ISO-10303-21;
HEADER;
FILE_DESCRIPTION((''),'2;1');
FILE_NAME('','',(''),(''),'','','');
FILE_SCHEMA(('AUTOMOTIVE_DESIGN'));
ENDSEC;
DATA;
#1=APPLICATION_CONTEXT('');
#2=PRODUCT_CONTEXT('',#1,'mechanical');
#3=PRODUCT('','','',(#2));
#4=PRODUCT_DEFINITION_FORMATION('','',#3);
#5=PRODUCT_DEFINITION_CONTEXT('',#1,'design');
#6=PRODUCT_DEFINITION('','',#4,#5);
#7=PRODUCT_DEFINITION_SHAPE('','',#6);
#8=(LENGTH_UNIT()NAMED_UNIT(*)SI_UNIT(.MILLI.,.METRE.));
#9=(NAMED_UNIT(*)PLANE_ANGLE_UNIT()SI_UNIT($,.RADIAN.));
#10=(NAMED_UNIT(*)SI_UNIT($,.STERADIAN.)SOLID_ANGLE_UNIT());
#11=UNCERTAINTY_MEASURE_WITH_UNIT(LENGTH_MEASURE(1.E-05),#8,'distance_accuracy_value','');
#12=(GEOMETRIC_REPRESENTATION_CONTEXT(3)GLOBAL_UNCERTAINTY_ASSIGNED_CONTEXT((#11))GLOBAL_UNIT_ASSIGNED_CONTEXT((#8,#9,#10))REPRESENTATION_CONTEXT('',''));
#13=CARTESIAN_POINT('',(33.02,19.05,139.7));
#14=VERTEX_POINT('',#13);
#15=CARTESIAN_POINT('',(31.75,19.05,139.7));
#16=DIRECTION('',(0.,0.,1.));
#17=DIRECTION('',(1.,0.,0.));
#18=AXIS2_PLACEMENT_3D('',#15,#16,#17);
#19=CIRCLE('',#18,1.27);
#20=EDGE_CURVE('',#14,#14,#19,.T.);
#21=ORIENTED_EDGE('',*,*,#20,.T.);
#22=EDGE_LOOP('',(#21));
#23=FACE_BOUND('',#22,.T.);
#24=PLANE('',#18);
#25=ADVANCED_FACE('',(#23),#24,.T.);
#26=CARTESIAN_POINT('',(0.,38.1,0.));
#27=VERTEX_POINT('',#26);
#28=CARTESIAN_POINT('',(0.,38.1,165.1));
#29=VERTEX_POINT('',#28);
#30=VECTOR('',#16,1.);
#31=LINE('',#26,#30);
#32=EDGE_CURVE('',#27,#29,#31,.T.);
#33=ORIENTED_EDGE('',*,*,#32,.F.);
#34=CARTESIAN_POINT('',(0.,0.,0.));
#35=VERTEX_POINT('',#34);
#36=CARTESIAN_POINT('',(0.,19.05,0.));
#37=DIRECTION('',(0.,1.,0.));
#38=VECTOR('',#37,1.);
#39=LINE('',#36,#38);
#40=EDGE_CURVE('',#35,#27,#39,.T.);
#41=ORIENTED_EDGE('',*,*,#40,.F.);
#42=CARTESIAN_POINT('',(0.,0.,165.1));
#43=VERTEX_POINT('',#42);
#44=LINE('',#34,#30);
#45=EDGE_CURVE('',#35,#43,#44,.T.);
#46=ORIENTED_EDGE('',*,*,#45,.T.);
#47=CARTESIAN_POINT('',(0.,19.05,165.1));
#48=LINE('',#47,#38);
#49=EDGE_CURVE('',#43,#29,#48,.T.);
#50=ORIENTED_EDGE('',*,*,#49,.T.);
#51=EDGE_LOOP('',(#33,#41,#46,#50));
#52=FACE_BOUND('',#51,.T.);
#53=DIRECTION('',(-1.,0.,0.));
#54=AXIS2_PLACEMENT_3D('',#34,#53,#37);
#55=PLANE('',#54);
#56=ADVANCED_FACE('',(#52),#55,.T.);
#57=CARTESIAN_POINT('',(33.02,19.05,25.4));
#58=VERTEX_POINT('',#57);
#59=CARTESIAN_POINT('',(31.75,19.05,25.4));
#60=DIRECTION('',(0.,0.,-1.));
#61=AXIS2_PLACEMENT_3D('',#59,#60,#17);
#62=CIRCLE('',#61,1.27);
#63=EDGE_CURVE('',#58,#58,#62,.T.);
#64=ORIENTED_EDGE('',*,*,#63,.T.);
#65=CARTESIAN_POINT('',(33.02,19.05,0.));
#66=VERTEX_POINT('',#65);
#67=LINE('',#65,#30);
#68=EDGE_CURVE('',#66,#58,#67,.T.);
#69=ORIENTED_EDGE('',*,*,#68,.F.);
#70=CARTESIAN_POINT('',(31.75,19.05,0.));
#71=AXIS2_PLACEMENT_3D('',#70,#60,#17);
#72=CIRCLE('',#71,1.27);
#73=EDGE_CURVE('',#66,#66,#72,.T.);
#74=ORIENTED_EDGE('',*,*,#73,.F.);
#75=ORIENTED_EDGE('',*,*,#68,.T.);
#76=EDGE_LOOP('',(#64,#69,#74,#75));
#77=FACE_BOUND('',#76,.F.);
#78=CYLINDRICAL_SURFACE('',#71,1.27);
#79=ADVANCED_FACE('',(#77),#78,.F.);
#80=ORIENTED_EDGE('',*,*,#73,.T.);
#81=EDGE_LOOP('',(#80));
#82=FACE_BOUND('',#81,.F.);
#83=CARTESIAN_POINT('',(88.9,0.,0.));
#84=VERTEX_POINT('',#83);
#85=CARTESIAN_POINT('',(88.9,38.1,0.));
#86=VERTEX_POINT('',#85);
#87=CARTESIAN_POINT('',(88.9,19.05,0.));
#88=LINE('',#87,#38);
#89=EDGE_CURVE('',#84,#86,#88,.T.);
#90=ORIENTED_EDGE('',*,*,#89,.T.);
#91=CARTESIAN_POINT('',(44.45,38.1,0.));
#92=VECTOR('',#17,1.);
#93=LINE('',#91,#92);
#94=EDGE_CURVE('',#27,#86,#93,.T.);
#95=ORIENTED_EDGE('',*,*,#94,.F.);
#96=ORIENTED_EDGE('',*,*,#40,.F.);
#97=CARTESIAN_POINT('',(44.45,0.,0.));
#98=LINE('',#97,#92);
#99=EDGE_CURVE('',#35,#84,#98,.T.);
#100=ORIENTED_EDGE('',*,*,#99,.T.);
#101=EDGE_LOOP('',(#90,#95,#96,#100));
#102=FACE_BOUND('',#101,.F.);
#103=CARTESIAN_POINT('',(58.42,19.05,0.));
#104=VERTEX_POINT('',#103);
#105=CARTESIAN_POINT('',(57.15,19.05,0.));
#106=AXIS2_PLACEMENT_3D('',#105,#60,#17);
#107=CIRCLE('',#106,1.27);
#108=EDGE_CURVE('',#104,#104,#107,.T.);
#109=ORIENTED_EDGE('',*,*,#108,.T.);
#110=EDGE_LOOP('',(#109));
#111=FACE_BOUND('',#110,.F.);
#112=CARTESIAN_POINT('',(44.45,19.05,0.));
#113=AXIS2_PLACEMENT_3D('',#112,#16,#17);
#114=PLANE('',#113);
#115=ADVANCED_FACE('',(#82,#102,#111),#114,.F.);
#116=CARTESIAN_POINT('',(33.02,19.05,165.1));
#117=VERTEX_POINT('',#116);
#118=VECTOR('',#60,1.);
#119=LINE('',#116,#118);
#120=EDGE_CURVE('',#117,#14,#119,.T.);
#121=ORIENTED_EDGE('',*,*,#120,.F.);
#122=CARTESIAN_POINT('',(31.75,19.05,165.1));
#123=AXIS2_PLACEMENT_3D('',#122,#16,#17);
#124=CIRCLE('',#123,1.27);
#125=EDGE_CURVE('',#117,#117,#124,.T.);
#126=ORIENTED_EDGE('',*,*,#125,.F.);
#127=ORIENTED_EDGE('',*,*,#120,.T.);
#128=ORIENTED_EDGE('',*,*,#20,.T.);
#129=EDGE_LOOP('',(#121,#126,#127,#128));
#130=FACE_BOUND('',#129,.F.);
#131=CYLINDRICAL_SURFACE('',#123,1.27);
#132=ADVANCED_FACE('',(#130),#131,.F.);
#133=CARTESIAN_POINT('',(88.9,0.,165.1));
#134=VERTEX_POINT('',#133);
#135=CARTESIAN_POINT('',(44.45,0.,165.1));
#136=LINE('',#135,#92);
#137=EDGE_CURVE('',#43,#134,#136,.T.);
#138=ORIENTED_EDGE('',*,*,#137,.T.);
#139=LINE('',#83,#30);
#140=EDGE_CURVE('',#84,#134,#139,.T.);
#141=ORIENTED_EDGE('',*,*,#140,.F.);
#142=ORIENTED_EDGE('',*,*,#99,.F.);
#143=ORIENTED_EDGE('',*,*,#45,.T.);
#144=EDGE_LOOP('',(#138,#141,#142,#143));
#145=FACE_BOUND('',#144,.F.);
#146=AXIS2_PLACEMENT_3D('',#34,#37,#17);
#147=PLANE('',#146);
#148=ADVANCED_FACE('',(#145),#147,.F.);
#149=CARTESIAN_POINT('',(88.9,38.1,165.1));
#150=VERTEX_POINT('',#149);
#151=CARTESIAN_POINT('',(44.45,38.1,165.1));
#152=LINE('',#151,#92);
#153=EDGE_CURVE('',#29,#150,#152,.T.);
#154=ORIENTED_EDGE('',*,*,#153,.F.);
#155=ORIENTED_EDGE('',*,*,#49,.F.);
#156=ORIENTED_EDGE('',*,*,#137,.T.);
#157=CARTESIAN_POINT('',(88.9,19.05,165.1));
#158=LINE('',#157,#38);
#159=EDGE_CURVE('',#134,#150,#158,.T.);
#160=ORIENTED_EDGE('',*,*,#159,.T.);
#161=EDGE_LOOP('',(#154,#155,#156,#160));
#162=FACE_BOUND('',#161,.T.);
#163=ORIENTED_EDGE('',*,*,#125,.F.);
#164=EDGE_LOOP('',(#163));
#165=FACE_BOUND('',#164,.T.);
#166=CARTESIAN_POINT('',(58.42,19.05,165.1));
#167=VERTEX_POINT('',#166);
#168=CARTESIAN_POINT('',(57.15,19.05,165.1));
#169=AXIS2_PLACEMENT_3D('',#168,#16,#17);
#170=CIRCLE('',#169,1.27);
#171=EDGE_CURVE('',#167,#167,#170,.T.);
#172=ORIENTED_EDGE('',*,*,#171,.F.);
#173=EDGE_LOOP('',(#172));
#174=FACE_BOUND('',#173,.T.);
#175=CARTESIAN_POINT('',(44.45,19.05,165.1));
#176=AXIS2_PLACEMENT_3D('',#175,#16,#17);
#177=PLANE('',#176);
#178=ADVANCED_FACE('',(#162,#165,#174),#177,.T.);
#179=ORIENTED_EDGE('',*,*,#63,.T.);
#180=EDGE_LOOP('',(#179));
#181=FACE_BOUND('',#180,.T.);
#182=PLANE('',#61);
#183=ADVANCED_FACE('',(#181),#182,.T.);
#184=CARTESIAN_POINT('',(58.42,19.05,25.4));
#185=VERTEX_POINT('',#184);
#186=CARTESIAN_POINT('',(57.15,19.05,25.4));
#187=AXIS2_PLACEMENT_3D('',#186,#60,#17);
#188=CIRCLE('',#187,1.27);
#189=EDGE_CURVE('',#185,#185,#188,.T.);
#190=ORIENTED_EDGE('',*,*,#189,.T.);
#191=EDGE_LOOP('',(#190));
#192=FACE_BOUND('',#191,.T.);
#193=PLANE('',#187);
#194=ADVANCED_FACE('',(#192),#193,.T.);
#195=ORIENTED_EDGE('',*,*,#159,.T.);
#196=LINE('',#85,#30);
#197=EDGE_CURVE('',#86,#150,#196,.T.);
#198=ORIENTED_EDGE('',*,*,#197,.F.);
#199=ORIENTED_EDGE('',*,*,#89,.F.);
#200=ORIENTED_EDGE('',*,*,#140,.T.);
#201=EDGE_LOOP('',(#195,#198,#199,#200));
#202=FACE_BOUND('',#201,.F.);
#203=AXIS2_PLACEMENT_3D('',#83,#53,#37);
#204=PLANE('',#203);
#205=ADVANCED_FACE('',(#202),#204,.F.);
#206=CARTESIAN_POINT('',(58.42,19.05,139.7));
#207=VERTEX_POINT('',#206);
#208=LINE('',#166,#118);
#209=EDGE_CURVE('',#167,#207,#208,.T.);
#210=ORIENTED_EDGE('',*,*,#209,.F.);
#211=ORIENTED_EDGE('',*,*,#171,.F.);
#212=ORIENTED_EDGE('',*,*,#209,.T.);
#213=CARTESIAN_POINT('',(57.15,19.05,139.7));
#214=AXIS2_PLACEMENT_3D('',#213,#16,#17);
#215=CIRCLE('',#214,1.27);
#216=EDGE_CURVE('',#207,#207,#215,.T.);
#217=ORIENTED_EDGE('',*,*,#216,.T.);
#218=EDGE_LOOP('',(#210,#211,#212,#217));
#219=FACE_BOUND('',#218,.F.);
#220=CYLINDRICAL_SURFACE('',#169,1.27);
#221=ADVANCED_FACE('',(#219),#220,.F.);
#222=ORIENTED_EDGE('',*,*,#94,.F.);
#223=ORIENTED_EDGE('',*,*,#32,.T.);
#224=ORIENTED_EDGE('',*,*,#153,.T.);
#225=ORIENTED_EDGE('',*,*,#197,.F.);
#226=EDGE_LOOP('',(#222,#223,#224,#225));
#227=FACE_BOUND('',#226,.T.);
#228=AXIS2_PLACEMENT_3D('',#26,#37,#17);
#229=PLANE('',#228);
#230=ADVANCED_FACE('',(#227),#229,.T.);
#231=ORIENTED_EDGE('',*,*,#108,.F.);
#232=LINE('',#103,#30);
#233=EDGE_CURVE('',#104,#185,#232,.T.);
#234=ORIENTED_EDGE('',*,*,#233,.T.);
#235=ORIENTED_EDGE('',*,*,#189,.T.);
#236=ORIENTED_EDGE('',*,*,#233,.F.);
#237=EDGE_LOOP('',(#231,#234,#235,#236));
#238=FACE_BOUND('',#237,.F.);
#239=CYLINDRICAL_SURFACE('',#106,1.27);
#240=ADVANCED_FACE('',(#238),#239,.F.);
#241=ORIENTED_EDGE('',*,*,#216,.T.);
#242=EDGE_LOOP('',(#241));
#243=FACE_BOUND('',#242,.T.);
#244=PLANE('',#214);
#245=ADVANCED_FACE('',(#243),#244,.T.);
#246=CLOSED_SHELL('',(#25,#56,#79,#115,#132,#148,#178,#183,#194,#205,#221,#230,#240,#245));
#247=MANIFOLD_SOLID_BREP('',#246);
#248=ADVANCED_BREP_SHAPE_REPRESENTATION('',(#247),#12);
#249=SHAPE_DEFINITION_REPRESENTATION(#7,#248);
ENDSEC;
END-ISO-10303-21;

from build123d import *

# Parameters (mm, degrees)
SKETCH002_R      = 1.27
EXTRUDE002_DEPTH = 25.4
SKETCH001_R      = 1.27
EXTRUDE001_DEPTH = 25.4
SKETCH_W         = 88.9
SKETCH_H         = 38.1
EXTRUDE_DEPTH    = 165.1


with BuildPart() as extrude002:
    # Sketch002 → Extrude002 (new body)
    with BuildSketch(Plane(origin=(0, 0, 0), x_dir=(1, 0, 0), z_dir=(0, 0, -1))):
        with Locations((31.75, -19.05)):
            Circle(SKETCH002_R)
        with Locations((57.15, -19.05)):
            Circle(SKETCH002_R)
    extrude(amount=-EXTRUDE002_DEPTH)


with BuildPart() as extrude001:
    # Sketch001 → Extrude001 (new body)
    with BuildSketch(Plane.XY.offset(165.1)):
        with Locations((31.75, 19.05)):
            Circle(SKETCH001_R)
        with Locations((57.15, 19.05)):
            Circle(SKETCH001_R)
    extrude(amount=-EXTRUDE001_DEPTH)


with BuildPart() as cut001:
    # Sketch → Extrude (new body)
    with BuildSketch(Plane.XY):
        with Locations((44.45, 19.05)):
            Rectangle(SKETCH_W, SKETCH_H)
    extrude(amount=EXTRUDE_DEPTH)

    # Cut: cut Extrude001
    add(extrude001.part, mode=Mode.SUBTRACT)

    # Cut001: cut Extrude002
    add(extrude002.part, mode=Mode.SUBTRACT)


solid = cut001.part
